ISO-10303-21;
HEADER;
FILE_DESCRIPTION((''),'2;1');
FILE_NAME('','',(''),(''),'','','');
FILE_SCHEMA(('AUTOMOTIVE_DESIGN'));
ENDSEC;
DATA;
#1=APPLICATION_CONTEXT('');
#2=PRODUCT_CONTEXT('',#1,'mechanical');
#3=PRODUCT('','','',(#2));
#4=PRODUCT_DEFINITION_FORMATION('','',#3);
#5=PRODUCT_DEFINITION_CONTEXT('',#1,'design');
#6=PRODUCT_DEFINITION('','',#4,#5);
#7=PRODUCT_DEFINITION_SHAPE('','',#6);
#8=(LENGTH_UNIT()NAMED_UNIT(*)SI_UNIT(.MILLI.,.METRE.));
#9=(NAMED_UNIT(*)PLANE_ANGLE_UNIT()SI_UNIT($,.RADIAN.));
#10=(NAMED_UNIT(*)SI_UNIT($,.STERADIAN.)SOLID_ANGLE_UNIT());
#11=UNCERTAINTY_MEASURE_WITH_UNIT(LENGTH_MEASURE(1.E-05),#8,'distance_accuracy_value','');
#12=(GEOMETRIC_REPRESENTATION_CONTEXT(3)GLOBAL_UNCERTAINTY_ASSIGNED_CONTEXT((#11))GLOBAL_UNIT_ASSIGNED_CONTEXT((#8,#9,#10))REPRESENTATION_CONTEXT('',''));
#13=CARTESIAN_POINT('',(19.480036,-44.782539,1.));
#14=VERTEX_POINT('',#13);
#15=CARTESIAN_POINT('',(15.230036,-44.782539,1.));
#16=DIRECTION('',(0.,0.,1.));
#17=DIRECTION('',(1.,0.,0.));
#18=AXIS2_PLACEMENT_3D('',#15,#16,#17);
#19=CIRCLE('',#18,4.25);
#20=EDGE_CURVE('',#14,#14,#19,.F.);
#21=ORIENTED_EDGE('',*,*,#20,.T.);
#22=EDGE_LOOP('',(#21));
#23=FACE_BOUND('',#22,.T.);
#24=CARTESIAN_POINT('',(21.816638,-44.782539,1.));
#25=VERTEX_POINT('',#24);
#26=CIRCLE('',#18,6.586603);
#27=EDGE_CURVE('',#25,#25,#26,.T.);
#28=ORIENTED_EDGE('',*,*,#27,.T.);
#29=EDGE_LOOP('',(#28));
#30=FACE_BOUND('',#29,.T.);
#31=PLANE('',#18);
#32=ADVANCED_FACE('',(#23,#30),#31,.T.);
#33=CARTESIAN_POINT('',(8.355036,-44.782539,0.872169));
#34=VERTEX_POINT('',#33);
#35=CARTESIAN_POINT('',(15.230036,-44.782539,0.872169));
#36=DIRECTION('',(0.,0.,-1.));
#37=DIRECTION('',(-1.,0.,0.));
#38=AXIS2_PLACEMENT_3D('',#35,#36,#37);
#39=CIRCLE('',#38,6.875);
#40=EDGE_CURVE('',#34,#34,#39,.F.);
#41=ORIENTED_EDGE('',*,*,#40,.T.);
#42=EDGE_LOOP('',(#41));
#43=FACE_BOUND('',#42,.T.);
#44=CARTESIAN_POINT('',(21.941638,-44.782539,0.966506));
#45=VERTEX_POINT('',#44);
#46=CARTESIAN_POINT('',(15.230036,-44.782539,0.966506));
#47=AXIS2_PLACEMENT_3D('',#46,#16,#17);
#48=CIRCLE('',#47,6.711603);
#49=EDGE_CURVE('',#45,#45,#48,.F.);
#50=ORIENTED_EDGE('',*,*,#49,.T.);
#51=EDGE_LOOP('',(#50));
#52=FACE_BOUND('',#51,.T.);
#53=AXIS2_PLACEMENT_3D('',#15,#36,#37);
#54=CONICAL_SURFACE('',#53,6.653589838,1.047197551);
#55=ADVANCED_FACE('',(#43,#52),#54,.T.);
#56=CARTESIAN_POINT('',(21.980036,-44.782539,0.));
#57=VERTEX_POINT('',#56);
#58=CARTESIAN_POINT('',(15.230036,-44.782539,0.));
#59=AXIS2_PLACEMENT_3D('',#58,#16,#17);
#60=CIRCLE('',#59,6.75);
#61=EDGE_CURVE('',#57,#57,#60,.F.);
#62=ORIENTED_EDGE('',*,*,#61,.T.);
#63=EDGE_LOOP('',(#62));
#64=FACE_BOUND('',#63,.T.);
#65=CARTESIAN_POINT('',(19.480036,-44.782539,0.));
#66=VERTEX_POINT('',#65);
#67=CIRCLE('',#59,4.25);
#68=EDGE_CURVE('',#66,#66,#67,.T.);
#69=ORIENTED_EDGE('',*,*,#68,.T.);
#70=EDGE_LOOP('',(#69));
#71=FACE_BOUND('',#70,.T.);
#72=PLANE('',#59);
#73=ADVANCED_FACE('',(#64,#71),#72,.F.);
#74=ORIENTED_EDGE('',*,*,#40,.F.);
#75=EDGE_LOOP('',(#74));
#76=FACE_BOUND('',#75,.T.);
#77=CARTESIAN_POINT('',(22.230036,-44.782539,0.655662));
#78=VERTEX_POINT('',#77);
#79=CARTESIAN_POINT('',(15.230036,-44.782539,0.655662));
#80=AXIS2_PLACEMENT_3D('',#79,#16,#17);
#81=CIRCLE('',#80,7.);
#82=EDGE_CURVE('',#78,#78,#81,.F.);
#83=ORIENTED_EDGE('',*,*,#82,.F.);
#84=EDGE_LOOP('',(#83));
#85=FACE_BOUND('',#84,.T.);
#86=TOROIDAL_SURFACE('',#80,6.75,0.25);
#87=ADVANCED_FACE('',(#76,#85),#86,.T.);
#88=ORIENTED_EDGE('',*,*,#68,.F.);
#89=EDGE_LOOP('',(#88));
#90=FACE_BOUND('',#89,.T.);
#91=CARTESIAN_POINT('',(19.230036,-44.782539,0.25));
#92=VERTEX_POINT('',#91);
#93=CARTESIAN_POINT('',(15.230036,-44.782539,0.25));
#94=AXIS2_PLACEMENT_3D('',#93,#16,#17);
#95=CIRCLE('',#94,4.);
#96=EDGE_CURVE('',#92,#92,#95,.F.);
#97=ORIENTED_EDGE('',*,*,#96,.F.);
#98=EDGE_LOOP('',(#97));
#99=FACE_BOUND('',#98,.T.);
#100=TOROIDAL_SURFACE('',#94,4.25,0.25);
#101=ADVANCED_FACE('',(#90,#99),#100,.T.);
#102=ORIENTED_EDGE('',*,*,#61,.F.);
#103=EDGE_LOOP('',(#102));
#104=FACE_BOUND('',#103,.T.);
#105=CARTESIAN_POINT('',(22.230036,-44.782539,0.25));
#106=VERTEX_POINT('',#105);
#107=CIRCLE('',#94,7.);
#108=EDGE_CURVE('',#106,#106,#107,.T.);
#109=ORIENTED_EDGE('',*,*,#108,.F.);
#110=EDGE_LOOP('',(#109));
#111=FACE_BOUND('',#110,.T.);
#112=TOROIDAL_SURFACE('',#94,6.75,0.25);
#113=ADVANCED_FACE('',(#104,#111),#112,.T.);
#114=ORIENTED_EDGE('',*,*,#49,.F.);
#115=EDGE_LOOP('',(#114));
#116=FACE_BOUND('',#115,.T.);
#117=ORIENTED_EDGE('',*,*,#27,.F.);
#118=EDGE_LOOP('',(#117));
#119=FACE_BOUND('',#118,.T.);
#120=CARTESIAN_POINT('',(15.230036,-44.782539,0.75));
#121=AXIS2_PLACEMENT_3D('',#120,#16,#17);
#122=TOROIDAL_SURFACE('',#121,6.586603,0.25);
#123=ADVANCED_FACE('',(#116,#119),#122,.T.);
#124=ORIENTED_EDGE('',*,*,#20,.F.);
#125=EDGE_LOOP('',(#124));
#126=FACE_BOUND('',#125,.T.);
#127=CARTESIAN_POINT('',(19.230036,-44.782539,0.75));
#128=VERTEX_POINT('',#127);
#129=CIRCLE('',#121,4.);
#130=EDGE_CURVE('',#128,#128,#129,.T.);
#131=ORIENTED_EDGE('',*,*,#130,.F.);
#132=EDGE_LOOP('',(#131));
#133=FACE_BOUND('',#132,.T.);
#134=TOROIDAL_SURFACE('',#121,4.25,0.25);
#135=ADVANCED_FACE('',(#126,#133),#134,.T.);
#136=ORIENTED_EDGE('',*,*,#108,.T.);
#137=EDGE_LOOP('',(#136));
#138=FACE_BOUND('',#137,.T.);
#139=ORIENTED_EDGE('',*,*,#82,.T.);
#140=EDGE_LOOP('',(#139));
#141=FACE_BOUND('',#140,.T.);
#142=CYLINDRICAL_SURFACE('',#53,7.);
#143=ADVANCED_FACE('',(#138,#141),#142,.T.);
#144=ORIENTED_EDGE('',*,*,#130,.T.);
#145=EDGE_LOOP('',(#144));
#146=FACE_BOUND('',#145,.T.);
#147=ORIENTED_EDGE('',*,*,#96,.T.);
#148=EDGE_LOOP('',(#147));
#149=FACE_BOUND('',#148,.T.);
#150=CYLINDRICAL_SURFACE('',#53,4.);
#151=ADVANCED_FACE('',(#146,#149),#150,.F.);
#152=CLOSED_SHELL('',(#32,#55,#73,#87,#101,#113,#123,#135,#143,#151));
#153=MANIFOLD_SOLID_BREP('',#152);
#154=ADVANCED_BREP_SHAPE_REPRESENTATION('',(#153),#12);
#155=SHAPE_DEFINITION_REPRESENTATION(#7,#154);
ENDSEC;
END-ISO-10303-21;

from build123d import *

# Parameters (mm, degrees)
SKETCH1_R           = 7
SKETCH1_R_2         = 4
BOSS_EXTRUDE1_DEPTH = 1
CHAMFER1_SIZE       = 0.2
CHAMFER1_SIZE2      = 0.346410162
FILLET1_R           = 0.25


with BuildPart() as part:
    # Sketch1 → Boss-Extrude1 (new body)
    with BuildSketch(Plane.XY):
        with Locations((15.2300359, -44.782538686)):
            Circle(SKETCH1_R)
        with Locations((15.2300359, -44.782538686)):
            Circle(SKETCH1_R_2, mode=Mode.SUBTRACT)
    extrude(amount=BOSS_EXTRUDE1_DEPTH)

    # Chamfer1
    chamfer1_edges = [part.edges().sort_by_distance(p)[0] for p in [
        (8.2300359, -44.782538686, 1),
    ]]
    chamfer1_side = [part.faces().sort_by_distance(p)[0] for p in [
        (8.2300359, -44.782538686, 0.5),
    ]]
    chamfer(chamfer1_edges, length=CHAMFER1_SIZE, length2=CHAMFER1_SIZE2, reference=chamfer1_side[0])

    # Fillet1
    fillet1_edges = [part.edges().sort_by_distance(p)[0] for p in [
        (8.2300359, -44.782538686, 0.8),
        (8.2300359, -44.782538686, 0),
        (11.2300359, -44.782538686, 0),
        (11.2300359, -44.782538686, 1),
        (8.576446062, -44.782538686, 1),
    ]]
    fillet(fillet1_edges, radius=FILLET1_R)


solid = part.part
